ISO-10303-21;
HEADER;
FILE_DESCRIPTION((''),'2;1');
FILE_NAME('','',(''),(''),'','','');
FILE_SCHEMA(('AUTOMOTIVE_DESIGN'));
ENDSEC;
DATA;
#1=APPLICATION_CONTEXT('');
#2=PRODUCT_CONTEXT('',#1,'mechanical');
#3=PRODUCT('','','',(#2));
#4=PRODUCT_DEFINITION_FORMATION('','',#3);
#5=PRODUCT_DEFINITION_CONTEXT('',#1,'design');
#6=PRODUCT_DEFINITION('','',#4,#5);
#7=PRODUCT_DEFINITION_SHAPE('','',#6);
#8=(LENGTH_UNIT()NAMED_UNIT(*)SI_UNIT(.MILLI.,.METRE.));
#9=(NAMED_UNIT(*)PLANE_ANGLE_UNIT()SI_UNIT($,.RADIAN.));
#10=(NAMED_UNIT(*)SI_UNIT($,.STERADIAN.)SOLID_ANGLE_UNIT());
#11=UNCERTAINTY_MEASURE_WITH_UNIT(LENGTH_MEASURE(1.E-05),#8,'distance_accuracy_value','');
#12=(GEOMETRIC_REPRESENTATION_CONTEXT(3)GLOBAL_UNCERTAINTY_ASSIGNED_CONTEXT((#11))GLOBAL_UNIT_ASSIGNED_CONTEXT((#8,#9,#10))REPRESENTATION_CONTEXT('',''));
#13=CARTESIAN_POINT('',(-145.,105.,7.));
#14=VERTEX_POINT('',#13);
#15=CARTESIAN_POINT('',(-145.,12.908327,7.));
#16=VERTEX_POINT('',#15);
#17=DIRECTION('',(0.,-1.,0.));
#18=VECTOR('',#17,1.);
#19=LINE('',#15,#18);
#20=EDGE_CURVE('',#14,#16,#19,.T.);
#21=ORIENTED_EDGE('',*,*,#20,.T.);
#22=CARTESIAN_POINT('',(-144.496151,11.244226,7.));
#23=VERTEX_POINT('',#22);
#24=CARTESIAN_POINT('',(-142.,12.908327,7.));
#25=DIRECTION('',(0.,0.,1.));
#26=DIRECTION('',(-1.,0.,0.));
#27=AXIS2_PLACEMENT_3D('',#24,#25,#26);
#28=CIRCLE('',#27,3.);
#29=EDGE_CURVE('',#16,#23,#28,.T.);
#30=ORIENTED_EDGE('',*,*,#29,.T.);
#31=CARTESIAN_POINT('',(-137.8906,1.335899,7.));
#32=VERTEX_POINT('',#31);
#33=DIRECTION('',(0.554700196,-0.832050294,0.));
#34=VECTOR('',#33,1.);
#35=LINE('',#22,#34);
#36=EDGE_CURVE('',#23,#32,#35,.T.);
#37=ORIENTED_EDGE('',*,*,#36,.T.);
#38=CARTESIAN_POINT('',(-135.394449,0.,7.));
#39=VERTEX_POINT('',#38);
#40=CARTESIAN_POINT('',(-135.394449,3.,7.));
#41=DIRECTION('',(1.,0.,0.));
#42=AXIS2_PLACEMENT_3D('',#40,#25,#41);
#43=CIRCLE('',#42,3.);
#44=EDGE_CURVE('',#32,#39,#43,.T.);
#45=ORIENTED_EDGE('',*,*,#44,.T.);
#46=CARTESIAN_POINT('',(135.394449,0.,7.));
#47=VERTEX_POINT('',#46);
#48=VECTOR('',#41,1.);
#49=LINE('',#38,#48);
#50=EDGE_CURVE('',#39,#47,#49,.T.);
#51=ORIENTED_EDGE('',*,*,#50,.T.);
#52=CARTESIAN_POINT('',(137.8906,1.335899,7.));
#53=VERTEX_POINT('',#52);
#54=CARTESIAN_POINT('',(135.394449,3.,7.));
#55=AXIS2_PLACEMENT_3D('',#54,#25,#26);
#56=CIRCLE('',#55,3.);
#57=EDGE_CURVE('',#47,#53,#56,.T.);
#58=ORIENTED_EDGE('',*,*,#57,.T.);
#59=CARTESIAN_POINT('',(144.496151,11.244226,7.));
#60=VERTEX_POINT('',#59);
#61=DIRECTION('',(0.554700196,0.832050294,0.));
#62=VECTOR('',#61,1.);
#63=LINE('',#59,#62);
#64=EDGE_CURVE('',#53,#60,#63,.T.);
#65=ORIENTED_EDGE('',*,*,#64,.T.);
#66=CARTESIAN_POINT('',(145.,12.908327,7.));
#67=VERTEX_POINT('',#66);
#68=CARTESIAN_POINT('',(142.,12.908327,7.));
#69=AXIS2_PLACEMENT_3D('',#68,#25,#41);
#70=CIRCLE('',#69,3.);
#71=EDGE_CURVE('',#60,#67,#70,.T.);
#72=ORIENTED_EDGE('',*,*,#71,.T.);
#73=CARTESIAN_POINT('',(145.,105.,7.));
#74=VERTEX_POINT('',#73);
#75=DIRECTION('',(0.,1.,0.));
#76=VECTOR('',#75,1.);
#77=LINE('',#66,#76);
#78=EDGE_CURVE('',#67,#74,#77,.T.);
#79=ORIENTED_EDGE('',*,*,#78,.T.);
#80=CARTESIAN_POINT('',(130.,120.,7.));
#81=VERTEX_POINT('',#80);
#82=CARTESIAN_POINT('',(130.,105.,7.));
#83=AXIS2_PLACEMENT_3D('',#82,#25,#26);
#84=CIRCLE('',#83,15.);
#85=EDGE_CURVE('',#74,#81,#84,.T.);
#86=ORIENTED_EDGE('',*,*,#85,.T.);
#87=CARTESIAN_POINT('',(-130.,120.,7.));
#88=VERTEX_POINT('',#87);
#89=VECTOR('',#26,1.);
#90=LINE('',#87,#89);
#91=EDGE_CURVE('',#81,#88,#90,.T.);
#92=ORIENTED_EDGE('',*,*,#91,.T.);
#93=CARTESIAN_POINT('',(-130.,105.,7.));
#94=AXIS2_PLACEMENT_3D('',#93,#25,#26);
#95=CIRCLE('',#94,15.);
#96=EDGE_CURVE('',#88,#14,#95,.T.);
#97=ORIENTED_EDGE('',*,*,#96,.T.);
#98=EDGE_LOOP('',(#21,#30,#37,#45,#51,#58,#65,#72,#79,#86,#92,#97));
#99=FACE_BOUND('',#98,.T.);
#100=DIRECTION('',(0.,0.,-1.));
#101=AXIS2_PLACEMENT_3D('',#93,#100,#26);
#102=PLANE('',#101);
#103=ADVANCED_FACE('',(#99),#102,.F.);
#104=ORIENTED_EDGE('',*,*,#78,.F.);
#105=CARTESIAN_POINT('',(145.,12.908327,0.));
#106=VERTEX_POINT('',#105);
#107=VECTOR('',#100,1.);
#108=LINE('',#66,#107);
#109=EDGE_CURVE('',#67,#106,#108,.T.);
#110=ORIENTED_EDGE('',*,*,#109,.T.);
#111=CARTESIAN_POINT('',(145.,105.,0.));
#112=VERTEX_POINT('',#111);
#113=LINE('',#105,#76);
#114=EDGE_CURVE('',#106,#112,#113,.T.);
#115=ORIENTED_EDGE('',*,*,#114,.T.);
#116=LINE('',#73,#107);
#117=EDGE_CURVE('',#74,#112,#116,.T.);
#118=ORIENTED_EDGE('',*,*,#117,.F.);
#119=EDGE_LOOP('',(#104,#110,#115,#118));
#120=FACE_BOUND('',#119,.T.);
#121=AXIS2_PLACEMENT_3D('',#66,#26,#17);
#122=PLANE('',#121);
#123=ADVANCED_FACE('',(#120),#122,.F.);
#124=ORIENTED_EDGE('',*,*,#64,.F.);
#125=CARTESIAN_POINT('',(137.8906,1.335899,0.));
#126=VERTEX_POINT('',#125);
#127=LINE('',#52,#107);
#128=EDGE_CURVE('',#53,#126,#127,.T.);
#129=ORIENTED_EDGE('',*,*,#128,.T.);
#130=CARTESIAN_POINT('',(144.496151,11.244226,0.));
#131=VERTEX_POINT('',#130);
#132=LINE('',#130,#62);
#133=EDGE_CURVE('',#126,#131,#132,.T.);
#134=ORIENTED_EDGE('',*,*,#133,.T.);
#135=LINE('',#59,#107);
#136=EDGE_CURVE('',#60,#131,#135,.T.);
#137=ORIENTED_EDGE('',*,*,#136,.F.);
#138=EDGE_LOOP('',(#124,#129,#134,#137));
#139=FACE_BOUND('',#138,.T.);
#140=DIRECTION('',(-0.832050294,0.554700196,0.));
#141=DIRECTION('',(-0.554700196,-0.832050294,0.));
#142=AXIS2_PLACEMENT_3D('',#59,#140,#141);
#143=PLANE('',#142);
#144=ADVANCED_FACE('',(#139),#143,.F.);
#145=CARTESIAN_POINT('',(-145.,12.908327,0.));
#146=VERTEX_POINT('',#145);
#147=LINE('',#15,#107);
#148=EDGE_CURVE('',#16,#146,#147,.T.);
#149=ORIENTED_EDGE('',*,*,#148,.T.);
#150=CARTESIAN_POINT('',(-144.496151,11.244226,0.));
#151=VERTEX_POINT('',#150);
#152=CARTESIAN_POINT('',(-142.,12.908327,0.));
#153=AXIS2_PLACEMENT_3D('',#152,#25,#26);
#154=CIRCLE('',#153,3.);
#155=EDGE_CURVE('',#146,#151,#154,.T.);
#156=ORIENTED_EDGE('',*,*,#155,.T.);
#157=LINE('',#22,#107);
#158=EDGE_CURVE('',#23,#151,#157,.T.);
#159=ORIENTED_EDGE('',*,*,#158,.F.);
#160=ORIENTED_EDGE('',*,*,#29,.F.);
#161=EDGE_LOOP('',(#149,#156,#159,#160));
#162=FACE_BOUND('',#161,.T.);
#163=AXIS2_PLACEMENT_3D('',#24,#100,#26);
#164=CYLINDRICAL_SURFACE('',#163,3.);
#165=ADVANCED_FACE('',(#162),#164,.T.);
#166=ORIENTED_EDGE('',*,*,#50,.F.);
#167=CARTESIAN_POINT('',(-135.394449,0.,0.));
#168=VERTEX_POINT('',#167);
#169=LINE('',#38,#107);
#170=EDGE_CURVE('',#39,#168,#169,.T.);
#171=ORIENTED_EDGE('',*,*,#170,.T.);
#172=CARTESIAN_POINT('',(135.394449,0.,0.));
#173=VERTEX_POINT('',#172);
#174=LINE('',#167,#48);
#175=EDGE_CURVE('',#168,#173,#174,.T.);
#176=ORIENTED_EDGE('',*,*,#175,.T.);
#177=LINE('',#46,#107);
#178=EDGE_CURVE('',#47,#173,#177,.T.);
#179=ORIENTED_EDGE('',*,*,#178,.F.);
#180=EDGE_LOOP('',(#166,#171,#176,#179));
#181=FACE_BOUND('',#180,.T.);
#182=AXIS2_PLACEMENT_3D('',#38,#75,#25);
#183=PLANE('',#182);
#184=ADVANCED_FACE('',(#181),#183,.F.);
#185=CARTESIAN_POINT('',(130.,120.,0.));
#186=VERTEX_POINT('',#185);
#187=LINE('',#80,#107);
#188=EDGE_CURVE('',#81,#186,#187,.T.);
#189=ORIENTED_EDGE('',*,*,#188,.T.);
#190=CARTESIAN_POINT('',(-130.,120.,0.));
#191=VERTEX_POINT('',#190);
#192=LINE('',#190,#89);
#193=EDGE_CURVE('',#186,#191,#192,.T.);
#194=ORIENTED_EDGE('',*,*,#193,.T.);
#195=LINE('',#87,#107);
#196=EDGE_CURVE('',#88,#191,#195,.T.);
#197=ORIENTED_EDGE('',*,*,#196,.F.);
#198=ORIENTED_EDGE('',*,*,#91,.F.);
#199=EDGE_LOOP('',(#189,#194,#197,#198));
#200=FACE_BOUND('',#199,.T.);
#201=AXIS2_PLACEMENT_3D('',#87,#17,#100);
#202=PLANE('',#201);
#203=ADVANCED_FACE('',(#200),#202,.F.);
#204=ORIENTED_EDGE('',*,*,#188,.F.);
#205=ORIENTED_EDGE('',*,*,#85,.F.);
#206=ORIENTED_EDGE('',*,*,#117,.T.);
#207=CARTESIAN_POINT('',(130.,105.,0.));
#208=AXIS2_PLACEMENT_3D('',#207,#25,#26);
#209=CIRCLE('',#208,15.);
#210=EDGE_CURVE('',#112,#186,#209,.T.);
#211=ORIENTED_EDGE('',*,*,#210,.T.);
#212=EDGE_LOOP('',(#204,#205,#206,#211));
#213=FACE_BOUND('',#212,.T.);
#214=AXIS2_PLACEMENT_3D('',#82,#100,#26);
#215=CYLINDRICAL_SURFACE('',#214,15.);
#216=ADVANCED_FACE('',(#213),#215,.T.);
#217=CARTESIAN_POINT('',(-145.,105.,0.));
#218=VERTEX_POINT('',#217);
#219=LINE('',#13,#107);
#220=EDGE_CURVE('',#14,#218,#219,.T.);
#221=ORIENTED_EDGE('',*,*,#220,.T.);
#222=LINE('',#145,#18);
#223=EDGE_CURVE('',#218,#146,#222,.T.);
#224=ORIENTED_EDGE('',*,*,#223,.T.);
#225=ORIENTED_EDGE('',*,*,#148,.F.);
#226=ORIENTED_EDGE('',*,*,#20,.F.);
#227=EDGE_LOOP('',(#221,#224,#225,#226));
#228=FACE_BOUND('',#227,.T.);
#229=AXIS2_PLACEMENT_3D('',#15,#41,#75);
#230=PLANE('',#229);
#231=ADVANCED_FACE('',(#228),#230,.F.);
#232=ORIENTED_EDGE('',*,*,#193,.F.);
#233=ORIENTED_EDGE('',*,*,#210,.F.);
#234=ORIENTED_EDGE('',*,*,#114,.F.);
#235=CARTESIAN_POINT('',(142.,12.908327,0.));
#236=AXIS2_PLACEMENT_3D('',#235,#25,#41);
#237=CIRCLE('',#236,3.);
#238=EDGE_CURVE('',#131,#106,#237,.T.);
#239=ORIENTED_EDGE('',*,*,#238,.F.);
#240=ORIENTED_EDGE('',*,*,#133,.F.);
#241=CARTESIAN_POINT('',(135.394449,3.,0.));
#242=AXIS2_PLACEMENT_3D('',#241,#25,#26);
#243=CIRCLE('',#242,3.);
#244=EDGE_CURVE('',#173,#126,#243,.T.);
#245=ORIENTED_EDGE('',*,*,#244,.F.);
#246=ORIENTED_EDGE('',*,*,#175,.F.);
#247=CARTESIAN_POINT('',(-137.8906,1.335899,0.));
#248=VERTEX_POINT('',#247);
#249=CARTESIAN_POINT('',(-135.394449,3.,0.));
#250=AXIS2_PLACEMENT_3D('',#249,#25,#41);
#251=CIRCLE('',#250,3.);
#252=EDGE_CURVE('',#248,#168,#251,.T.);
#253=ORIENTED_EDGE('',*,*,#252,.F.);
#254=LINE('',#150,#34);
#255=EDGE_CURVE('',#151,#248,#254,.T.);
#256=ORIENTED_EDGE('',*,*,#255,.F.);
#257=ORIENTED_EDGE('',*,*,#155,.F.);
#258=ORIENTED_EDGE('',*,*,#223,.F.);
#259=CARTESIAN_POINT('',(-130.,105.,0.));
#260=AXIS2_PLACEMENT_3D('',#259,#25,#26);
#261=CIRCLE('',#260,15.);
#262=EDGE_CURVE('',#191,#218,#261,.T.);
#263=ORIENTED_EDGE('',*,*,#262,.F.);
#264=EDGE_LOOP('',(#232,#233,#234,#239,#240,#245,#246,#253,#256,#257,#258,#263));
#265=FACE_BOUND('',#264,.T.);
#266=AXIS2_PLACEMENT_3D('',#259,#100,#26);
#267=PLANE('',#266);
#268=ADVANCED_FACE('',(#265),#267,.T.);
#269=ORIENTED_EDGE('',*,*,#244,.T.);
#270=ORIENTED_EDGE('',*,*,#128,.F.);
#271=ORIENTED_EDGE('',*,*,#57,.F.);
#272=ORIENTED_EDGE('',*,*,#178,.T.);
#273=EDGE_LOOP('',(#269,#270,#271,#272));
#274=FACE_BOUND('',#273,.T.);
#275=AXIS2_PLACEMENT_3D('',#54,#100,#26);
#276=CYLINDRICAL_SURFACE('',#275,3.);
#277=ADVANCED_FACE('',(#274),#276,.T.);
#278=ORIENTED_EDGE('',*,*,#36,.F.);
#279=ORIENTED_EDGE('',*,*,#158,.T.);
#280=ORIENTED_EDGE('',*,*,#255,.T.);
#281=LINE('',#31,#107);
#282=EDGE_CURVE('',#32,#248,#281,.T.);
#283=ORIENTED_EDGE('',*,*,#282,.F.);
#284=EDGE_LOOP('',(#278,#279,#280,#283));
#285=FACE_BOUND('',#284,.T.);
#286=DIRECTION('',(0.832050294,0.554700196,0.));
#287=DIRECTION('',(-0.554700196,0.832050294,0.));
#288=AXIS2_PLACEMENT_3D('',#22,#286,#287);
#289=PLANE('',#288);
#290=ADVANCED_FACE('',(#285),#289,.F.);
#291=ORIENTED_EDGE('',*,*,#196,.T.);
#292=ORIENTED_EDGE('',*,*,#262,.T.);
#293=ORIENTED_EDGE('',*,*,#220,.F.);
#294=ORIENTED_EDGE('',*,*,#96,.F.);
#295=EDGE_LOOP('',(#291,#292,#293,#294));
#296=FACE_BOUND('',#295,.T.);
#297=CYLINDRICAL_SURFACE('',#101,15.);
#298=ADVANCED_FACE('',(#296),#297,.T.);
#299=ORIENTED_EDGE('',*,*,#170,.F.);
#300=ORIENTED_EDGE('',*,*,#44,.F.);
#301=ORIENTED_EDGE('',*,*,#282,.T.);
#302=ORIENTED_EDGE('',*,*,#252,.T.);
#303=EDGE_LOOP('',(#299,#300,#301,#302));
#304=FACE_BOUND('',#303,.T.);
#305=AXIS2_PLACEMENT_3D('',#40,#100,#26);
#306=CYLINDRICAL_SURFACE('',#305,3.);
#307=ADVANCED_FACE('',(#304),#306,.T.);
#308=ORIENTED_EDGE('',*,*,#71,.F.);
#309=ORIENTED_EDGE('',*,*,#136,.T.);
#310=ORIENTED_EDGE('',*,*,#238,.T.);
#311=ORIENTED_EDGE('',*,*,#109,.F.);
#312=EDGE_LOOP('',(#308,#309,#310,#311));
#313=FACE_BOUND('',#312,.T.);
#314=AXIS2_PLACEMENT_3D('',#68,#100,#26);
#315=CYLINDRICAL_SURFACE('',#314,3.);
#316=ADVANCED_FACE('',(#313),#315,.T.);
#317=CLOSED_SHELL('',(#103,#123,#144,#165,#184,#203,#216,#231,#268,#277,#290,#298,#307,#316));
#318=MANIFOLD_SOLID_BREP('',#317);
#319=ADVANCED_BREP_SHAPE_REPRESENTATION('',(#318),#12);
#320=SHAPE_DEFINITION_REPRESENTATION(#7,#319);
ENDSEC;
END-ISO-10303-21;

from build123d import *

# Parameters (mm, degrees)
EXTRUDE1_DEPTH = 7


with BuildPart() as part:
    # Sketch1 → Extrude1 (new body)
    with BuildSketch(Plane.XY):
        with BuildLine():
            Line((-144.496150883, 11.244226325), (-137.890599608, 1.335899411))
            ThreePointArc((-137.890599608, 1.335899411), (-136.810022501, 0.354976204), (-135.394448725, 0))
            Line((-135.394448725, 0), (135.394448725, 0))
            ThreePointArc((135.394448725, 0), (136.810022501, 0.354976204), (137.890599608, 1.335899411))
            Line((137.890599608, 1.335899411), (144.496150883, 11.244226325))
            ThreePointArc((144.496150883, 11.244226325), (144.871276079, 12.038974467), (145, 12.908326913))
            Line((145, 12.908326913), (145, 105))
            ThreePointArc((145, 105), (140.606601718, 115.606601718), (130, 120))
            Line((130, 120), (-130, 120))
            ThreePointArc((-130, 120), (-140.606601718, 115.606601718), (-145, 105))
            Line((-145, 105), (-145, 12.908326913))
            ThreePointArc((-145, 12.908326913), (-144.871276079, 12.038974467), (-144.496150883, 11.244226325))
        make_face()
    extrude(amount=EXTRUDE1_DEPTH)


solid = part.part
